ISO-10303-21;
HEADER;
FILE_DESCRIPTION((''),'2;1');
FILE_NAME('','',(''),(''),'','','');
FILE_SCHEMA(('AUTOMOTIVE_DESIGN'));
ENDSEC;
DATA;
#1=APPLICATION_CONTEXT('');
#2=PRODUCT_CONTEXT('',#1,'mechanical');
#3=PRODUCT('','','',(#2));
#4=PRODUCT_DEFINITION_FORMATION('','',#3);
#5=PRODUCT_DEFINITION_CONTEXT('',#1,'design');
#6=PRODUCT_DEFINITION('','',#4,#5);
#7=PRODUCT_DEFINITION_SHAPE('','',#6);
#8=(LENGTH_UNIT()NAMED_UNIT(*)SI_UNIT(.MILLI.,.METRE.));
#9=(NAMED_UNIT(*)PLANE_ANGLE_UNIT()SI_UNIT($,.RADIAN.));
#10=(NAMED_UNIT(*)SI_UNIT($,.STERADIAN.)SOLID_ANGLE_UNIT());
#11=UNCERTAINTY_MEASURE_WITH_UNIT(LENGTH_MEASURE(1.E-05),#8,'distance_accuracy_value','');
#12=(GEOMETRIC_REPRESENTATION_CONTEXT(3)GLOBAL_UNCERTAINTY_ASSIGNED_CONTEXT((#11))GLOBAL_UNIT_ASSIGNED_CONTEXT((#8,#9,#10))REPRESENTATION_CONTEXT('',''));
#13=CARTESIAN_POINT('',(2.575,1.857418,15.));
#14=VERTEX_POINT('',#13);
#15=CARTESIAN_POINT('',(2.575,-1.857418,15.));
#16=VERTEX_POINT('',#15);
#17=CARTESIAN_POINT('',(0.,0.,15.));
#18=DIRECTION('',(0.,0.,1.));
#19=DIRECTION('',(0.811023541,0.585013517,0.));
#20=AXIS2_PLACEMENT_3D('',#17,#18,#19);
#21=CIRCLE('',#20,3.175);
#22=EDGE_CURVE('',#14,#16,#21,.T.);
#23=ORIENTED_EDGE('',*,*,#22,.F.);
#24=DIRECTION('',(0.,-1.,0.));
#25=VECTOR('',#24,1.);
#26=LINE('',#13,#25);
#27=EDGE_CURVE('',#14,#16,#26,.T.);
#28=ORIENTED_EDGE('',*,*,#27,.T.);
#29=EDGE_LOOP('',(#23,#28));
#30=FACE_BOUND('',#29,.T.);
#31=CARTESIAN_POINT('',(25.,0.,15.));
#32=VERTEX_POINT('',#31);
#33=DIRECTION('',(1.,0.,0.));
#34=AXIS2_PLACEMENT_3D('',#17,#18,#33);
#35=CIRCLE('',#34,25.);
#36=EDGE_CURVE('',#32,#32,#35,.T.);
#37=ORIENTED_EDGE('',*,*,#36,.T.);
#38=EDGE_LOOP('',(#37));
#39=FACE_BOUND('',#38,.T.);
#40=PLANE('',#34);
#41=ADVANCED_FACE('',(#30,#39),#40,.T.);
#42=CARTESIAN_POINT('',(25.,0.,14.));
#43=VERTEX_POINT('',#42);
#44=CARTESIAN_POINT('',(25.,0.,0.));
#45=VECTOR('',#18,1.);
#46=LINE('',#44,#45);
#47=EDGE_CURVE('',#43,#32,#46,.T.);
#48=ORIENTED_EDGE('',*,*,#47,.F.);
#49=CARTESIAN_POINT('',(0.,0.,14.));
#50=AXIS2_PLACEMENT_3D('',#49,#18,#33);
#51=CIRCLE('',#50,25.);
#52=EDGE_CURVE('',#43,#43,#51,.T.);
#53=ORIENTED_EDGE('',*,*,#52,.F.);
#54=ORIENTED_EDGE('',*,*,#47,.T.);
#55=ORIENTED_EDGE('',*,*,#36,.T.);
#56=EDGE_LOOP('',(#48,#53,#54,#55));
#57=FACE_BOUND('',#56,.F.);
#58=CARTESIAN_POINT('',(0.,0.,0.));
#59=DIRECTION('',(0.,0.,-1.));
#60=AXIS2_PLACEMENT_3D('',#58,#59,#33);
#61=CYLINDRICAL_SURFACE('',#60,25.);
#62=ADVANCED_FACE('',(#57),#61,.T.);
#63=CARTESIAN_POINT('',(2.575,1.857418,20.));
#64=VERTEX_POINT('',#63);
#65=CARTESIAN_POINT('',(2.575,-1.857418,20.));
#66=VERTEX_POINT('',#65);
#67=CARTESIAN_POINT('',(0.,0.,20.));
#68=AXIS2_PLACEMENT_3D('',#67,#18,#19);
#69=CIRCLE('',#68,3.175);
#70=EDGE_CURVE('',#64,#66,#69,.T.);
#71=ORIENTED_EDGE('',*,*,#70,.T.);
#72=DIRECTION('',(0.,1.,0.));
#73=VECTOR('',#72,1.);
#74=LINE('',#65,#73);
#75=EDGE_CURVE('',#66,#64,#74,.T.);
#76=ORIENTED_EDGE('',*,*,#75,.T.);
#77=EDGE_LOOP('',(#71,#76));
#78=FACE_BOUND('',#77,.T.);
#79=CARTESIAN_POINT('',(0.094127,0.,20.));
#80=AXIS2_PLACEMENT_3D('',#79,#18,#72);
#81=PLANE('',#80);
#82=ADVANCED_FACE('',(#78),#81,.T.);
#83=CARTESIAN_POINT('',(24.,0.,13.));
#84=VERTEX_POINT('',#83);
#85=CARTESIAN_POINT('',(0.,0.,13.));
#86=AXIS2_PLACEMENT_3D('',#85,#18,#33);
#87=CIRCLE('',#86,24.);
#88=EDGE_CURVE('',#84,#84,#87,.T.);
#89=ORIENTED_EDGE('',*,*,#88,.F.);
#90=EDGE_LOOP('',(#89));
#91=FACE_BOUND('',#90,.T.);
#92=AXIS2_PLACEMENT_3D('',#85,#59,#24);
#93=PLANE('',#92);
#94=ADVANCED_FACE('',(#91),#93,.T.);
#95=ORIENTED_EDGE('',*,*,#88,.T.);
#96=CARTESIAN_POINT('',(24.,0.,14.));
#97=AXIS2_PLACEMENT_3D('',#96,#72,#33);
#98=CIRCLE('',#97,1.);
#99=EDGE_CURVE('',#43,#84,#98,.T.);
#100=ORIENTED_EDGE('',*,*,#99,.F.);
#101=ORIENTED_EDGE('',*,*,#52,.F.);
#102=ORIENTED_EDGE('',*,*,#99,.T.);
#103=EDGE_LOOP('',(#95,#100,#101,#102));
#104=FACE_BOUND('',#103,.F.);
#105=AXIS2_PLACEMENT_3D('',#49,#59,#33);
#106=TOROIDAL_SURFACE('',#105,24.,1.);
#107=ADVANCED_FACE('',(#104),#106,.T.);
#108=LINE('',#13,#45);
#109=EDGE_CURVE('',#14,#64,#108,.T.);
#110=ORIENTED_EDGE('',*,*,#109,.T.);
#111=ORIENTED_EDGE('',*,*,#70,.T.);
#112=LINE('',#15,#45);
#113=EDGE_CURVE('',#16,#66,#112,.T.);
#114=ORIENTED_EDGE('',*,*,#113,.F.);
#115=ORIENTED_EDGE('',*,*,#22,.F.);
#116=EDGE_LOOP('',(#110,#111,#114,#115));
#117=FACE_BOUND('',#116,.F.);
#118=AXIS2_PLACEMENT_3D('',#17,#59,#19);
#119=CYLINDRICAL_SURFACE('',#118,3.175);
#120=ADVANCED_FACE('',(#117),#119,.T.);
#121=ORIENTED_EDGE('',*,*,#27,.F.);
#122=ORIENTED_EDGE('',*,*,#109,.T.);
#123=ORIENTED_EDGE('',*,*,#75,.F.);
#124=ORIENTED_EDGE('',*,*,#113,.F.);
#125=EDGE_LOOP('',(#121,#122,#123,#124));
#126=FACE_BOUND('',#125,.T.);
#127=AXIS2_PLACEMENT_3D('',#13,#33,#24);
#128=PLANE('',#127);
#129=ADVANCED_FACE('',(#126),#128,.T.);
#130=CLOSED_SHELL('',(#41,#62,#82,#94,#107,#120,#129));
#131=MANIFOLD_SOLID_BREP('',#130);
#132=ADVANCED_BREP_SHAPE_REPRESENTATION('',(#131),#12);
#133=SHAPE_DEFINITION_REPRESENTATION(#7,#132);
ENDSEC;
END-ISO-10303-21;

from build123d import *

# Parameters (mm, degrees)
SKETCH_R        = 25
PAD_DEPTH       = 15
PAD001_DEPTH    = 10
PAD001_FACE2_R  = 25
POCKET_DEPTH    = 13
POCKET001_DEPTH = 5
FILLET_R        = 1


with BuildPart() as part:
    # Sketch → Pad (new body)
    with BuildSketch(Plane.XY):
        Circle(SKETCH_R)
    extrude(amount=PAD_DEPTH)

    # Sketch001 (on Face3 of Pad) → Pad001 (join)
    with BuildSketch(Plane.XY.offset(15)):
        with BuildLine():
            ThreePointArc((2.575, 1.857418), (-3.175, 0), (2.575, -1.857418))
            Line((2.575, 1.857418), (2.575, -1.857418))
        make_face()
    extrude(amount=PAD001_DEPTH)

    # Pad001 Face2 → Pocket (cut)
    with BuildSketch(Plane(origin=(0, 0, 0), x_dir=(0, -1, 0), z_dir=(0, 0, -1))):
        Circle(PAD001_FACE2_R)
    extrude(amount=-POCKET_DEPTH, mode=Mode.SUBTRACT)

    # Pocket Face6 → Pocket001 (cut)
    with BuildSketch(Plane(origin=(-0.141681, 0, 25), x_dir=(0, 1, 0), z_dir=(0, 0, 1))):
        with BuildLine():
            ThreePointArc((1.857418, -2.716681), (0, 3.033319), (-1.857418, -2.716681))
            Line((-1.857418, -2.716681), (1.857418, -2.716681))
        make_face()
    extrude(amount=-POCKET001_DEPTH, mode=Mode.SUBTRACT)

    # Fillet
    fillet_edges = [part.edges().sort_by_distance(p)[0] for p in [
        (-25, 0, 13),
    ]]
    fillet(fillet_edges, radius=FILLET_R)


solid = part.part
